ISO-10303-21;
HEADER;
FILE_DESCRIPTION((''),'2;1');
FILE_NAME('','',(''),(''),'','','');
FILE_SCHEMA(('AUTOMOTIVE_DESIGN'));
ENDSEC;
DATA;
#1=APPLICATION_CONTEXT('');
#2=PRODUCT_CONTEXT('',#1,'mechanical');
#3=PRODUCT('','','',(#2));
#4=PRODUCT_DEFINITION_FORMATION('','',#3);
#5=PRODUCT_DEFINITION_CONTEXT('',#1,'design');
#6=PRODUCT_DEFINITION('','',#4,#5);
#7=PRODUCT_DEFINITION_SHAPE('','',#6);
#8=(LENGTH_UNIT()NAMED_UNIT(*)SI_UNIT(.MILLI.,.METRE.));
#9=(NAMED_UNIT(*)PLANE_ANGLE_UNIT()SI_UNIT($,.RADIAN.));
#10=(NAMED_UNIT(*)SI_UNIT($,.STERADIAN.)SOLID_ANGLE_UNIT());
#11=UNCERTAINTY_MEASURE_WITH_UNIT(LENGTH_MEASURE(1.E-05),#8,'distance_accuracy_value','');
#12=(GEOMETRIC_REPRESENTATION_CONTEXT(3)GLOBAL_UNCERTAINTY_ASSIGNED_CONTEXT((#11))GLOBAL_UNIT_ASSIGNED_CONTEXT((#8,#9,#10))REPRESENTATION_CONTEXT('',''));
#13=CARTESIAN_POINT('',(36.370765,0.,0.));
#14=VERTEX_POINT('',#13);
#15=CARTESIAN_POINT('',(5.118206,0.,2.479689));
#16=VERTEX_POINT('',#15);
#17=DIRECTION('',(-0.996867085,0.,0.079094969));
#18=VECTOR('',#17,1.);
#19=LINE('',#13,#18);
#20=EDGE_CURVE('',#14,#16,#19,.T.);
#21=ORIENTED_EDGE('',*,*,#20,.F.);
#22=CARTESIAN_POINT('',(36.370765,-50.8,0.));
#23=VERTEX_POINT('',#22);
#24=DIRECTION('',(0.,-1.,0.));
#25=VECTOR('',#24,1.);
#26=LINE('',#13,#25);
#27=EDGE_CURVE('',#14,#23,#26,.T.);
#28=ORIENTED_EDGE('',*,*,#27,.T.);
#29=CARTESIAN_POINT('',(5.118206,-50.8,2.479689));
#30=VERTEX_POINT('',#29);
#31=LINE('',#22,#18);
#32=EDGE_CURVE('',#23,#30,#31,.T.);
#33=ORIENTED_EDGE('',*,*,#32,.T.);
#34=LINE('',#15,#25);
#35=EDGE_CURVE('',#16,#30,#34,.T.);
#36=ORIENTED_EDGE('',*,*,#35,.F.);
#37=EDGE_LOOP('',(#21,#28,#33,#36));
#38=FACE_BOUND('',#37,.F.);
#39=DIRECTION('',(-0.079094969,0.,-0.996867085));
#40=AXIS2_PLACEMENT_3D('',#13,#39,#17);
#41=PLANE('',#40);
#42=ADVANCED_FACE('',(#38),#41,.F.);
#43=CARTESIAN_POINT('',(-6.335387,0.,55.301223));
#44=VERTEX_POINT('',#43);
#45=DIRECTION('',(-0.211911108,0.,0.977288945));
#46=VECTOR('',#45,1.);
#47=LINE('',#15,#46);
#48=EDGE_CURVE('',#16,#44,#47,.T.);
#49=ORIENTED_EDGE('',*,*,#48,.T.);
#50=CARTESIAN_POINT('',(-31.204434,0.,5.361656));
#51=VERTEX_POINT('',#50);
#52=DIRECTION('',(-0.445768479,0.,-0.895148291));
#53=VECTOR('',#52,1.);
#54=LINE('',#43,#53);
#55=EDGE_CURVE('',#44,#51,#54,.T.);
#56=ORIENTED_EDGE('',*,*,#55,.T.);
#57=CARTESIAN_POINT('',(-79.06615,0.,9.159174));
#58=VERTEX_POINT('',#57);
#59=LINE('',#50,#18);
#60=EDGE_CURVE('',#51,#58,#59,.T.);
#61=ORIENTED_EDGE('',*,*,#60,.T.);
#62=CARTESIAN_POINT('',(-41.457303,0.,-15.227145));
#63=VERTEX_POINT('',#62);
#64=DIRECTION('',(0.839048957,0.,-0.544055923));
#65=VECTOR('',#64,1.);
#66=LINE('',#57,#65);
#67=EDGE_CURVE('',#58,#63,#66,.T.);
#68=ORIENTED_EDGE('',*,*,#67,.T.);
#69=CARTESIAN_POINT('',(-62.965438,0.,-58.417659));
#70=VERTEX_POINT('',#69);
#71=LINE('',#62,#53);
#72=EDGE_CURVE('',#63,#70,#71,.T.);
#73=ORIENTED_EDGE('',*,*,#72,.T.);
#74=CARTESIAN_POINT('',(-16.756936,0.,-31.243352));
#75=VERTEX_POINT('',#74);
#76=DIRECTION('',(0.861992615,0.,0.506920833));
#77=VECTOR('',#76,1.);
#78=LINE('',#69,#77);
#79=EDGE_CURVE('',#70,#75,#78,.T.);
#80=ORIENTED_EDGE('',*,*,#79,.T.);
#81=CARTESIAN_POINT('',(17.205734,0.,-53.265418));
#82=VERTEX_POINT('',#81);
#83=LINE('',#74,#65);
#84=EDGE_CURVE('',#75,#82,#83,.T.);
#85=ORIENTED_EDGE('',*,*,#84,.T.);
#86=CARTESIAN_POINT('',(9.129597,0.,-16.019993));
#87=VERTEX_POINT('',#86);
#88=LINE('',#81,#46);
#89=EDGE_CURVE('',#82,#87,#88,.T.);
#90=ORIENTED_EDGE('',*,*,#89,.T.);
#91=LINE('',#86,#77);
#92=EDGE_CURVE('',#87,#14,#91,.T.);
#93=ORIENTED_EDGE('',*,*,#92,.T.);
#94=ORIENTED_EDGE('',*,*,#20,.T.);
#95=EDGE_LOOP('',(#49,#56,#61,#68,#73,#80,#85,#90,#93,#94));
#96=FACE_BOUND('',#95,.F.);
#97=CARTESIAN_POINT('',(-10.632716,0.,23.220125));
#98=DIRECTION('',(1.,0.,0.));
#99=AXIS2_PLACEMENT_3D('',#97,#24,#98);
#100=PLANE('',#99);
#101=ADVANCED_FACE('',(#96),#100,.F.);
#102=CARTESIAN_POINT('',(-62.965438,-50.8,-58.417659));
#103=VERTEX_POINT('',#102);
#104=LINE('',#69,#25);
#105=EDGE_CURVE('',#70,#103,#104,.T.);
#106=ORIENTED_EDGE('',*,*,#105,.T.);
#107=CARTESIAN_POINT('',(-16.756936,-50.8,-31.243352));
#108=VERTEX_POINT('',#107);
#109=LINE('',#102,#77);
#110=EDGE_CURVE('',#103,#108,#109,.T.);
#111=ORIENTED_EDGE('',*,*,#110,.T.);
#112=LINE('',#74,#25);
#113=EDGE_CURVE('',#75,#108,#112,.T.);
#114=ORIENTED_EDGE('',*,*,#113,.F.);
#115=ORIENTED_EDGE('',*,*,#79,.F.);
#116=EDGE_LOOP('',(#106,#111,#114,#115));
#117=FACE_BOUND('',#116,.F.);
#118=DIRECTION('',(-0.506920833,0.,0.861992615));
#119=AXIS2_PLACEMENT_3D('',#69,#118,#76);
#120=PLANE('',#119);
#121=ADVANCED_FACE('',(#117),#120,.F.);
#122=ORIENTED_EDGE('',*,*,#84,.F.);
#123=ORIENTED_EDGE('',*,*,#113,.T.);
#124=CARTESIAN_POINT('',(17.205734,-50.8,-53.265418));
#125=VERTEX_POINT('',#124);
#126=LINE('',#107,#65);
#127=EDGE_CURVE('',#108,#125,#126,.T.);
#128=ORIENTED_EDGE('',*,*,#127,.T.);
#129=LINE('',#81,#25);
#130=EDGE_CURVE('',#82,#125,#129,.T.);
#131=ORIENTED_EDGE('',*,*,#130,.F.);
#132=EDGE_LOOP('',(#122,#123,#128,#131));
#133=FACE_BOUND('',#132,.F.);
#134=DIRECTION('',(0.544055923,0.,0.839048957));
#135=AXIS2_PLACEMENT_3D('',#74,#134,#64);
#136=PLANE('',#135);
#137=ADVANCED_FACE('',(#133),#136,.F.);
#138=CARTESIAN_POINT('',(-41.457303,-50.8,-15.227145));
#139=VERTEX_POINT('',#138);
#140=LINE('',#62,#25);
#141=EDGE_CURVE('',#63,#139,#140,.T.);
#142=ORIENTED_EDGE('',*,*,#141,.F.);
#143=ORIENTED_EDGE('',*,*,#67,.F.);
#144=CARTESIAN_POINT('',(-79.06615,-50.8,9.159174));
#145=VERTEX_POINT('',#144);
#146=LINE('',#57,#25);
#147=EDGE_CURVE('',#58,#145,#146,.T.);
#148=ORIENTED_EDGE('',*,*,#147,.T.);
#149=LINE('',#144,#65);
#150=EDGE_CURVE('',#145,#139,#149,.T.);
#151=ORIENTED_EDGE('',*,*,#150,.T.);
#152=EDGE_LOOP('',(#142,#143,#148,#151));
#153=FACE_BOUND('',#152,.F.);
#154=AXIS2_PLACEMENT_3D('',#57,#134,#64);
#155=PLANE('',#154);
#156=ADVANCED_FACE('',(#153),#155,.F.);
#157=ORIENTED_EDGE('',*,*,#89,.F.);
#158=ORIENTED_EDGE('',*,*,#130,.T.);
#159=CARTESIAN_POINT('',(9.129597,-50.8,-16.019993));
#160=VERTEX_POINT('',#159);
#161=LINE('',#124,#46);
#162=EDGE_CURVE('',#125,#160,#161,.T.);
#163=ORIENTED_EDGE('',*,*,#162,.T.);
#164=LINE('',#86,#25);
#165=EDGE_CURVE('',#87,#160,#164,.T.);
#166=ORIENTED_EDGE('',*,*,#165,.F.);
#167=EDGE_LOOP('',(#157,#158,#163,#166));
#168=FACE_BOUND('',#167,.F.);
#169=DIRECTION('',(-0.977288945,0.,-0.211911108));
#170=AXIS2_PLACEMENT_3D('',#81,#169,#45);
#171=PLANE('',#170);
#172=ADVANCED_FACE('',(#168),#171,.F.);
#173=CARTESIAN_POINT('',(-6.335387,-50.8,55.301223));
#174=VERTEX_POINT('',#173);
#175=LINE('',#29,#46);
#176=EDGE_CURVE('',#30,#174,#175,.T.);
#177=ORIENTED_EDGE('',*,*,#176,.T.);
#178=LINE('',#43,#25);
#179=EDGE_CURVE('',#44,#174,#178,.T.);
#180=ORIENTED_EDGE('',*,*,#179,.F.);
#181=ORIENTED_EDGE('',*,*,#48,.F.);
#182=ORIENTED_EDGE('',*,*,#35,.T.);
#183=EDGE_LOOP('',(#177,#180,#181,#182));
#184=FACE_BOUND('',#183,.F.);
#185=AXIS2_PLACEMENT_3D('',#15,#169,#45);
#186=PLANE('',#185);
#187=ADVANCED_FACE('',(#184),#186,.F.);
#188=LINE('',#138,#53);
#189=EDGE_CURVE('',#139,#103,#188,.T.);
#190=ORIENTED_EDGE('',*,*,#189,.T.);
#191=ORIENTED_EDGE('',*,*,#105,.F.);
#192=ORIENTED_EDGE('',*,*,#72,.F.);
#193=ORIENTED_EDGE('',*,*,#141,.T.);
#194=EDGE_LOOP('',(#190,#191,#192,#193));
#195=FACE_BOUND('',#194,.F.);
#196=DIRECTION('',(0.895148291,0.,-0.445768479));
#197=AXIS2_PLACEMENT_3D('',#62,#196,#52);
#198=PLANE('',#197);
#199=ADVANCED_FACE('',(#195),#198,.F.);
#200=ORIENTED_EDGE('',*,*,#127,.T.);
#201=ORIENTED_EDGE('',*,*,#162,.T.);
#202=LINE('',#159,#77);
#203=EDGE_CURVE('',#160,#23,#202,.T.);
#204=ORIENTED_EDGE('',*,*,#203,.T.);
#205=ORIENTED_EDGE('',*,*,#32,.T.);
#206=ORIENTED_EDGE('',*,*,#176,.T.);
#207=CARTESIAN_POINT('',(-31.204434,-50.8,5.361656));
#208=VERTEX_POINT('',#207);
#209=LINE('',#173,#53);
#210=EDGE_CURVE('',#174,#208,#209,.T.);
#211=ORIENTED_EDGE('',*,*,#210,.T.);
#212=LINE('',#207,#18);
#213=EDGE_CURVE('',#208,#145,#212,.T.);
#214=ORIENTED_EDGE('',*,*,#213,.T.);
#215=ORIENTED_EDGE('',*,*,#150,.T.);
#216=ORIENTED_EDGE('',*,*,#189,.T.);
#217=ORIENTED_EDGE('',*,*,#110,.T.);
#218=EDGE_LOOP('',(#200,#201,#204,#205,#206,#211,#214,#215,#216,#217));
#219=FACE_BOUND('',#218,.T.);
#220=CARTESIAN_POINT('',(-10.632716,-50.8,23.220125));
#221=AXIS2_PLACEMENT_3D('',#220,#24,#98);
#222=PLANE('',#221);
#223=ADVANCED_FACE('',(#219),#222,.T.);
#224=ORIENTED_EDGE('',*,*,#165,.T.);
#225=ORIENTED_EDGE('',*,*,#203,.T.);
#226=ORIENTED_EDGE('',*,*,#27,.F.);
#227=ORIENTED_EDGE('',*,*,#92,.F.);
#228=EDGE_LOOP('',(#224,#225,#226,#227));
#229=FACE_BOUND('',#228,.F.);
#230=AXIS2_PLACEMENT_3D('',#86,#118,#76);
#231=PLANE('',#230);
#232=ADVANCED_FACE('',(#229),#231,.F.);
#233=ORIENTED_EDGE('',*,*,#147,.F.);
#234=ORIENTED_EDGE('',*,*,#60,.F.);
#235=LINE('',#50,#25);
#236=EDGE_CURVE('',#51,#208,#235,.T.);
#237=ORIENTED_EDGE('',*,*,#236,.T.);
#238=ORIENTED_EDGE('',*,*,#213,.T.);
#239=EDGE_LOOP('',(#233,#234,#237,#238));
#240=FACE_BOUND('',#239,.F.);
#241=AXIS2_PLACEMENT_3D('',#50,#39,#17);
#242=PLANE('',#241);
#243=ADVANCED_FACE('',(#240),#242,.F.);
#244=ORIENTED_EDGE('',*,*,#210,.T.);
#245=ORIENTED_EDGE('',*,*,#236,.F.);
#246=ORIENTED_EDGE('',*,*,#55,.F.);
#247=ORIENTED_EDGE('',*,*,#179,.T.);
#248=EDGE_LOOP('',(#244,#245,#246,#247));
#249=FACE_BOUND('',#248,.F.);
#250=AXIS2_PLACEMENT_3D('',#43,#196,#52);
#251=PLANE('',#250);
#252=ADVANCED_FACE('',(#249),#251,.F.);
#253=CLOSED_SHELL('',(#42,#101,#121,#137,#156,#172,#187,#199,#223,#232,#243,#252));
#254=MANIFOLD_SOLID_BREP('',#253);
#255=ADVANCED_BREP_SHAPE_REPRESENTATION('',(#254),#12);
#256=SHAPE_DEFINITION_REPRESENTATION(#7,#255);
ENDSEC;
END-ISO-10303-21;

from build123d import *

# Parameters (mm, degrees)
F1_DEPTH = 50.8


with BuildPart() as f1:
    # F0 (on Front) → F1 (new body)
    with BuildSketch(Plane.XZ):
        Polygon((5.1182060042, 2.4796888762), (-6.3353870064, 55.3012229502), (-31.2044339176, 5.3616559169), align=None)
        Polygon((5.1182060042, 2.4796888762), (-31.2044339176, 5.3616559169), (-41.4573033166, -15.2271451119), (-16.7569355206, -31.2433516756), (9.1295970428, -16.0199931215), align=None)
        Polygon((-41.4573033166, -15.2271451119), (-31.2044339176, 5.3616559169), (-79.0661498904, 9.1591741657), align=None)
        Polygon((-16.7569355206, -31.2433516756), (-41.4573033166, -15.2271451119), (-62.9654377699, -58.4176592529), align=None)
        Polygon((17.2057338059, -53.2654175768), (9.1295970428, -16.0199931215), (-16.7569355206, -31.2433516756), align=None)
        Polygon((36.3707654178, 0), (5.1182060042, 2.4796888762), (9.1295970428, -16.0199931215), align=None)
    extrude(amount=F1_DEPTH)


solid = f1.part
